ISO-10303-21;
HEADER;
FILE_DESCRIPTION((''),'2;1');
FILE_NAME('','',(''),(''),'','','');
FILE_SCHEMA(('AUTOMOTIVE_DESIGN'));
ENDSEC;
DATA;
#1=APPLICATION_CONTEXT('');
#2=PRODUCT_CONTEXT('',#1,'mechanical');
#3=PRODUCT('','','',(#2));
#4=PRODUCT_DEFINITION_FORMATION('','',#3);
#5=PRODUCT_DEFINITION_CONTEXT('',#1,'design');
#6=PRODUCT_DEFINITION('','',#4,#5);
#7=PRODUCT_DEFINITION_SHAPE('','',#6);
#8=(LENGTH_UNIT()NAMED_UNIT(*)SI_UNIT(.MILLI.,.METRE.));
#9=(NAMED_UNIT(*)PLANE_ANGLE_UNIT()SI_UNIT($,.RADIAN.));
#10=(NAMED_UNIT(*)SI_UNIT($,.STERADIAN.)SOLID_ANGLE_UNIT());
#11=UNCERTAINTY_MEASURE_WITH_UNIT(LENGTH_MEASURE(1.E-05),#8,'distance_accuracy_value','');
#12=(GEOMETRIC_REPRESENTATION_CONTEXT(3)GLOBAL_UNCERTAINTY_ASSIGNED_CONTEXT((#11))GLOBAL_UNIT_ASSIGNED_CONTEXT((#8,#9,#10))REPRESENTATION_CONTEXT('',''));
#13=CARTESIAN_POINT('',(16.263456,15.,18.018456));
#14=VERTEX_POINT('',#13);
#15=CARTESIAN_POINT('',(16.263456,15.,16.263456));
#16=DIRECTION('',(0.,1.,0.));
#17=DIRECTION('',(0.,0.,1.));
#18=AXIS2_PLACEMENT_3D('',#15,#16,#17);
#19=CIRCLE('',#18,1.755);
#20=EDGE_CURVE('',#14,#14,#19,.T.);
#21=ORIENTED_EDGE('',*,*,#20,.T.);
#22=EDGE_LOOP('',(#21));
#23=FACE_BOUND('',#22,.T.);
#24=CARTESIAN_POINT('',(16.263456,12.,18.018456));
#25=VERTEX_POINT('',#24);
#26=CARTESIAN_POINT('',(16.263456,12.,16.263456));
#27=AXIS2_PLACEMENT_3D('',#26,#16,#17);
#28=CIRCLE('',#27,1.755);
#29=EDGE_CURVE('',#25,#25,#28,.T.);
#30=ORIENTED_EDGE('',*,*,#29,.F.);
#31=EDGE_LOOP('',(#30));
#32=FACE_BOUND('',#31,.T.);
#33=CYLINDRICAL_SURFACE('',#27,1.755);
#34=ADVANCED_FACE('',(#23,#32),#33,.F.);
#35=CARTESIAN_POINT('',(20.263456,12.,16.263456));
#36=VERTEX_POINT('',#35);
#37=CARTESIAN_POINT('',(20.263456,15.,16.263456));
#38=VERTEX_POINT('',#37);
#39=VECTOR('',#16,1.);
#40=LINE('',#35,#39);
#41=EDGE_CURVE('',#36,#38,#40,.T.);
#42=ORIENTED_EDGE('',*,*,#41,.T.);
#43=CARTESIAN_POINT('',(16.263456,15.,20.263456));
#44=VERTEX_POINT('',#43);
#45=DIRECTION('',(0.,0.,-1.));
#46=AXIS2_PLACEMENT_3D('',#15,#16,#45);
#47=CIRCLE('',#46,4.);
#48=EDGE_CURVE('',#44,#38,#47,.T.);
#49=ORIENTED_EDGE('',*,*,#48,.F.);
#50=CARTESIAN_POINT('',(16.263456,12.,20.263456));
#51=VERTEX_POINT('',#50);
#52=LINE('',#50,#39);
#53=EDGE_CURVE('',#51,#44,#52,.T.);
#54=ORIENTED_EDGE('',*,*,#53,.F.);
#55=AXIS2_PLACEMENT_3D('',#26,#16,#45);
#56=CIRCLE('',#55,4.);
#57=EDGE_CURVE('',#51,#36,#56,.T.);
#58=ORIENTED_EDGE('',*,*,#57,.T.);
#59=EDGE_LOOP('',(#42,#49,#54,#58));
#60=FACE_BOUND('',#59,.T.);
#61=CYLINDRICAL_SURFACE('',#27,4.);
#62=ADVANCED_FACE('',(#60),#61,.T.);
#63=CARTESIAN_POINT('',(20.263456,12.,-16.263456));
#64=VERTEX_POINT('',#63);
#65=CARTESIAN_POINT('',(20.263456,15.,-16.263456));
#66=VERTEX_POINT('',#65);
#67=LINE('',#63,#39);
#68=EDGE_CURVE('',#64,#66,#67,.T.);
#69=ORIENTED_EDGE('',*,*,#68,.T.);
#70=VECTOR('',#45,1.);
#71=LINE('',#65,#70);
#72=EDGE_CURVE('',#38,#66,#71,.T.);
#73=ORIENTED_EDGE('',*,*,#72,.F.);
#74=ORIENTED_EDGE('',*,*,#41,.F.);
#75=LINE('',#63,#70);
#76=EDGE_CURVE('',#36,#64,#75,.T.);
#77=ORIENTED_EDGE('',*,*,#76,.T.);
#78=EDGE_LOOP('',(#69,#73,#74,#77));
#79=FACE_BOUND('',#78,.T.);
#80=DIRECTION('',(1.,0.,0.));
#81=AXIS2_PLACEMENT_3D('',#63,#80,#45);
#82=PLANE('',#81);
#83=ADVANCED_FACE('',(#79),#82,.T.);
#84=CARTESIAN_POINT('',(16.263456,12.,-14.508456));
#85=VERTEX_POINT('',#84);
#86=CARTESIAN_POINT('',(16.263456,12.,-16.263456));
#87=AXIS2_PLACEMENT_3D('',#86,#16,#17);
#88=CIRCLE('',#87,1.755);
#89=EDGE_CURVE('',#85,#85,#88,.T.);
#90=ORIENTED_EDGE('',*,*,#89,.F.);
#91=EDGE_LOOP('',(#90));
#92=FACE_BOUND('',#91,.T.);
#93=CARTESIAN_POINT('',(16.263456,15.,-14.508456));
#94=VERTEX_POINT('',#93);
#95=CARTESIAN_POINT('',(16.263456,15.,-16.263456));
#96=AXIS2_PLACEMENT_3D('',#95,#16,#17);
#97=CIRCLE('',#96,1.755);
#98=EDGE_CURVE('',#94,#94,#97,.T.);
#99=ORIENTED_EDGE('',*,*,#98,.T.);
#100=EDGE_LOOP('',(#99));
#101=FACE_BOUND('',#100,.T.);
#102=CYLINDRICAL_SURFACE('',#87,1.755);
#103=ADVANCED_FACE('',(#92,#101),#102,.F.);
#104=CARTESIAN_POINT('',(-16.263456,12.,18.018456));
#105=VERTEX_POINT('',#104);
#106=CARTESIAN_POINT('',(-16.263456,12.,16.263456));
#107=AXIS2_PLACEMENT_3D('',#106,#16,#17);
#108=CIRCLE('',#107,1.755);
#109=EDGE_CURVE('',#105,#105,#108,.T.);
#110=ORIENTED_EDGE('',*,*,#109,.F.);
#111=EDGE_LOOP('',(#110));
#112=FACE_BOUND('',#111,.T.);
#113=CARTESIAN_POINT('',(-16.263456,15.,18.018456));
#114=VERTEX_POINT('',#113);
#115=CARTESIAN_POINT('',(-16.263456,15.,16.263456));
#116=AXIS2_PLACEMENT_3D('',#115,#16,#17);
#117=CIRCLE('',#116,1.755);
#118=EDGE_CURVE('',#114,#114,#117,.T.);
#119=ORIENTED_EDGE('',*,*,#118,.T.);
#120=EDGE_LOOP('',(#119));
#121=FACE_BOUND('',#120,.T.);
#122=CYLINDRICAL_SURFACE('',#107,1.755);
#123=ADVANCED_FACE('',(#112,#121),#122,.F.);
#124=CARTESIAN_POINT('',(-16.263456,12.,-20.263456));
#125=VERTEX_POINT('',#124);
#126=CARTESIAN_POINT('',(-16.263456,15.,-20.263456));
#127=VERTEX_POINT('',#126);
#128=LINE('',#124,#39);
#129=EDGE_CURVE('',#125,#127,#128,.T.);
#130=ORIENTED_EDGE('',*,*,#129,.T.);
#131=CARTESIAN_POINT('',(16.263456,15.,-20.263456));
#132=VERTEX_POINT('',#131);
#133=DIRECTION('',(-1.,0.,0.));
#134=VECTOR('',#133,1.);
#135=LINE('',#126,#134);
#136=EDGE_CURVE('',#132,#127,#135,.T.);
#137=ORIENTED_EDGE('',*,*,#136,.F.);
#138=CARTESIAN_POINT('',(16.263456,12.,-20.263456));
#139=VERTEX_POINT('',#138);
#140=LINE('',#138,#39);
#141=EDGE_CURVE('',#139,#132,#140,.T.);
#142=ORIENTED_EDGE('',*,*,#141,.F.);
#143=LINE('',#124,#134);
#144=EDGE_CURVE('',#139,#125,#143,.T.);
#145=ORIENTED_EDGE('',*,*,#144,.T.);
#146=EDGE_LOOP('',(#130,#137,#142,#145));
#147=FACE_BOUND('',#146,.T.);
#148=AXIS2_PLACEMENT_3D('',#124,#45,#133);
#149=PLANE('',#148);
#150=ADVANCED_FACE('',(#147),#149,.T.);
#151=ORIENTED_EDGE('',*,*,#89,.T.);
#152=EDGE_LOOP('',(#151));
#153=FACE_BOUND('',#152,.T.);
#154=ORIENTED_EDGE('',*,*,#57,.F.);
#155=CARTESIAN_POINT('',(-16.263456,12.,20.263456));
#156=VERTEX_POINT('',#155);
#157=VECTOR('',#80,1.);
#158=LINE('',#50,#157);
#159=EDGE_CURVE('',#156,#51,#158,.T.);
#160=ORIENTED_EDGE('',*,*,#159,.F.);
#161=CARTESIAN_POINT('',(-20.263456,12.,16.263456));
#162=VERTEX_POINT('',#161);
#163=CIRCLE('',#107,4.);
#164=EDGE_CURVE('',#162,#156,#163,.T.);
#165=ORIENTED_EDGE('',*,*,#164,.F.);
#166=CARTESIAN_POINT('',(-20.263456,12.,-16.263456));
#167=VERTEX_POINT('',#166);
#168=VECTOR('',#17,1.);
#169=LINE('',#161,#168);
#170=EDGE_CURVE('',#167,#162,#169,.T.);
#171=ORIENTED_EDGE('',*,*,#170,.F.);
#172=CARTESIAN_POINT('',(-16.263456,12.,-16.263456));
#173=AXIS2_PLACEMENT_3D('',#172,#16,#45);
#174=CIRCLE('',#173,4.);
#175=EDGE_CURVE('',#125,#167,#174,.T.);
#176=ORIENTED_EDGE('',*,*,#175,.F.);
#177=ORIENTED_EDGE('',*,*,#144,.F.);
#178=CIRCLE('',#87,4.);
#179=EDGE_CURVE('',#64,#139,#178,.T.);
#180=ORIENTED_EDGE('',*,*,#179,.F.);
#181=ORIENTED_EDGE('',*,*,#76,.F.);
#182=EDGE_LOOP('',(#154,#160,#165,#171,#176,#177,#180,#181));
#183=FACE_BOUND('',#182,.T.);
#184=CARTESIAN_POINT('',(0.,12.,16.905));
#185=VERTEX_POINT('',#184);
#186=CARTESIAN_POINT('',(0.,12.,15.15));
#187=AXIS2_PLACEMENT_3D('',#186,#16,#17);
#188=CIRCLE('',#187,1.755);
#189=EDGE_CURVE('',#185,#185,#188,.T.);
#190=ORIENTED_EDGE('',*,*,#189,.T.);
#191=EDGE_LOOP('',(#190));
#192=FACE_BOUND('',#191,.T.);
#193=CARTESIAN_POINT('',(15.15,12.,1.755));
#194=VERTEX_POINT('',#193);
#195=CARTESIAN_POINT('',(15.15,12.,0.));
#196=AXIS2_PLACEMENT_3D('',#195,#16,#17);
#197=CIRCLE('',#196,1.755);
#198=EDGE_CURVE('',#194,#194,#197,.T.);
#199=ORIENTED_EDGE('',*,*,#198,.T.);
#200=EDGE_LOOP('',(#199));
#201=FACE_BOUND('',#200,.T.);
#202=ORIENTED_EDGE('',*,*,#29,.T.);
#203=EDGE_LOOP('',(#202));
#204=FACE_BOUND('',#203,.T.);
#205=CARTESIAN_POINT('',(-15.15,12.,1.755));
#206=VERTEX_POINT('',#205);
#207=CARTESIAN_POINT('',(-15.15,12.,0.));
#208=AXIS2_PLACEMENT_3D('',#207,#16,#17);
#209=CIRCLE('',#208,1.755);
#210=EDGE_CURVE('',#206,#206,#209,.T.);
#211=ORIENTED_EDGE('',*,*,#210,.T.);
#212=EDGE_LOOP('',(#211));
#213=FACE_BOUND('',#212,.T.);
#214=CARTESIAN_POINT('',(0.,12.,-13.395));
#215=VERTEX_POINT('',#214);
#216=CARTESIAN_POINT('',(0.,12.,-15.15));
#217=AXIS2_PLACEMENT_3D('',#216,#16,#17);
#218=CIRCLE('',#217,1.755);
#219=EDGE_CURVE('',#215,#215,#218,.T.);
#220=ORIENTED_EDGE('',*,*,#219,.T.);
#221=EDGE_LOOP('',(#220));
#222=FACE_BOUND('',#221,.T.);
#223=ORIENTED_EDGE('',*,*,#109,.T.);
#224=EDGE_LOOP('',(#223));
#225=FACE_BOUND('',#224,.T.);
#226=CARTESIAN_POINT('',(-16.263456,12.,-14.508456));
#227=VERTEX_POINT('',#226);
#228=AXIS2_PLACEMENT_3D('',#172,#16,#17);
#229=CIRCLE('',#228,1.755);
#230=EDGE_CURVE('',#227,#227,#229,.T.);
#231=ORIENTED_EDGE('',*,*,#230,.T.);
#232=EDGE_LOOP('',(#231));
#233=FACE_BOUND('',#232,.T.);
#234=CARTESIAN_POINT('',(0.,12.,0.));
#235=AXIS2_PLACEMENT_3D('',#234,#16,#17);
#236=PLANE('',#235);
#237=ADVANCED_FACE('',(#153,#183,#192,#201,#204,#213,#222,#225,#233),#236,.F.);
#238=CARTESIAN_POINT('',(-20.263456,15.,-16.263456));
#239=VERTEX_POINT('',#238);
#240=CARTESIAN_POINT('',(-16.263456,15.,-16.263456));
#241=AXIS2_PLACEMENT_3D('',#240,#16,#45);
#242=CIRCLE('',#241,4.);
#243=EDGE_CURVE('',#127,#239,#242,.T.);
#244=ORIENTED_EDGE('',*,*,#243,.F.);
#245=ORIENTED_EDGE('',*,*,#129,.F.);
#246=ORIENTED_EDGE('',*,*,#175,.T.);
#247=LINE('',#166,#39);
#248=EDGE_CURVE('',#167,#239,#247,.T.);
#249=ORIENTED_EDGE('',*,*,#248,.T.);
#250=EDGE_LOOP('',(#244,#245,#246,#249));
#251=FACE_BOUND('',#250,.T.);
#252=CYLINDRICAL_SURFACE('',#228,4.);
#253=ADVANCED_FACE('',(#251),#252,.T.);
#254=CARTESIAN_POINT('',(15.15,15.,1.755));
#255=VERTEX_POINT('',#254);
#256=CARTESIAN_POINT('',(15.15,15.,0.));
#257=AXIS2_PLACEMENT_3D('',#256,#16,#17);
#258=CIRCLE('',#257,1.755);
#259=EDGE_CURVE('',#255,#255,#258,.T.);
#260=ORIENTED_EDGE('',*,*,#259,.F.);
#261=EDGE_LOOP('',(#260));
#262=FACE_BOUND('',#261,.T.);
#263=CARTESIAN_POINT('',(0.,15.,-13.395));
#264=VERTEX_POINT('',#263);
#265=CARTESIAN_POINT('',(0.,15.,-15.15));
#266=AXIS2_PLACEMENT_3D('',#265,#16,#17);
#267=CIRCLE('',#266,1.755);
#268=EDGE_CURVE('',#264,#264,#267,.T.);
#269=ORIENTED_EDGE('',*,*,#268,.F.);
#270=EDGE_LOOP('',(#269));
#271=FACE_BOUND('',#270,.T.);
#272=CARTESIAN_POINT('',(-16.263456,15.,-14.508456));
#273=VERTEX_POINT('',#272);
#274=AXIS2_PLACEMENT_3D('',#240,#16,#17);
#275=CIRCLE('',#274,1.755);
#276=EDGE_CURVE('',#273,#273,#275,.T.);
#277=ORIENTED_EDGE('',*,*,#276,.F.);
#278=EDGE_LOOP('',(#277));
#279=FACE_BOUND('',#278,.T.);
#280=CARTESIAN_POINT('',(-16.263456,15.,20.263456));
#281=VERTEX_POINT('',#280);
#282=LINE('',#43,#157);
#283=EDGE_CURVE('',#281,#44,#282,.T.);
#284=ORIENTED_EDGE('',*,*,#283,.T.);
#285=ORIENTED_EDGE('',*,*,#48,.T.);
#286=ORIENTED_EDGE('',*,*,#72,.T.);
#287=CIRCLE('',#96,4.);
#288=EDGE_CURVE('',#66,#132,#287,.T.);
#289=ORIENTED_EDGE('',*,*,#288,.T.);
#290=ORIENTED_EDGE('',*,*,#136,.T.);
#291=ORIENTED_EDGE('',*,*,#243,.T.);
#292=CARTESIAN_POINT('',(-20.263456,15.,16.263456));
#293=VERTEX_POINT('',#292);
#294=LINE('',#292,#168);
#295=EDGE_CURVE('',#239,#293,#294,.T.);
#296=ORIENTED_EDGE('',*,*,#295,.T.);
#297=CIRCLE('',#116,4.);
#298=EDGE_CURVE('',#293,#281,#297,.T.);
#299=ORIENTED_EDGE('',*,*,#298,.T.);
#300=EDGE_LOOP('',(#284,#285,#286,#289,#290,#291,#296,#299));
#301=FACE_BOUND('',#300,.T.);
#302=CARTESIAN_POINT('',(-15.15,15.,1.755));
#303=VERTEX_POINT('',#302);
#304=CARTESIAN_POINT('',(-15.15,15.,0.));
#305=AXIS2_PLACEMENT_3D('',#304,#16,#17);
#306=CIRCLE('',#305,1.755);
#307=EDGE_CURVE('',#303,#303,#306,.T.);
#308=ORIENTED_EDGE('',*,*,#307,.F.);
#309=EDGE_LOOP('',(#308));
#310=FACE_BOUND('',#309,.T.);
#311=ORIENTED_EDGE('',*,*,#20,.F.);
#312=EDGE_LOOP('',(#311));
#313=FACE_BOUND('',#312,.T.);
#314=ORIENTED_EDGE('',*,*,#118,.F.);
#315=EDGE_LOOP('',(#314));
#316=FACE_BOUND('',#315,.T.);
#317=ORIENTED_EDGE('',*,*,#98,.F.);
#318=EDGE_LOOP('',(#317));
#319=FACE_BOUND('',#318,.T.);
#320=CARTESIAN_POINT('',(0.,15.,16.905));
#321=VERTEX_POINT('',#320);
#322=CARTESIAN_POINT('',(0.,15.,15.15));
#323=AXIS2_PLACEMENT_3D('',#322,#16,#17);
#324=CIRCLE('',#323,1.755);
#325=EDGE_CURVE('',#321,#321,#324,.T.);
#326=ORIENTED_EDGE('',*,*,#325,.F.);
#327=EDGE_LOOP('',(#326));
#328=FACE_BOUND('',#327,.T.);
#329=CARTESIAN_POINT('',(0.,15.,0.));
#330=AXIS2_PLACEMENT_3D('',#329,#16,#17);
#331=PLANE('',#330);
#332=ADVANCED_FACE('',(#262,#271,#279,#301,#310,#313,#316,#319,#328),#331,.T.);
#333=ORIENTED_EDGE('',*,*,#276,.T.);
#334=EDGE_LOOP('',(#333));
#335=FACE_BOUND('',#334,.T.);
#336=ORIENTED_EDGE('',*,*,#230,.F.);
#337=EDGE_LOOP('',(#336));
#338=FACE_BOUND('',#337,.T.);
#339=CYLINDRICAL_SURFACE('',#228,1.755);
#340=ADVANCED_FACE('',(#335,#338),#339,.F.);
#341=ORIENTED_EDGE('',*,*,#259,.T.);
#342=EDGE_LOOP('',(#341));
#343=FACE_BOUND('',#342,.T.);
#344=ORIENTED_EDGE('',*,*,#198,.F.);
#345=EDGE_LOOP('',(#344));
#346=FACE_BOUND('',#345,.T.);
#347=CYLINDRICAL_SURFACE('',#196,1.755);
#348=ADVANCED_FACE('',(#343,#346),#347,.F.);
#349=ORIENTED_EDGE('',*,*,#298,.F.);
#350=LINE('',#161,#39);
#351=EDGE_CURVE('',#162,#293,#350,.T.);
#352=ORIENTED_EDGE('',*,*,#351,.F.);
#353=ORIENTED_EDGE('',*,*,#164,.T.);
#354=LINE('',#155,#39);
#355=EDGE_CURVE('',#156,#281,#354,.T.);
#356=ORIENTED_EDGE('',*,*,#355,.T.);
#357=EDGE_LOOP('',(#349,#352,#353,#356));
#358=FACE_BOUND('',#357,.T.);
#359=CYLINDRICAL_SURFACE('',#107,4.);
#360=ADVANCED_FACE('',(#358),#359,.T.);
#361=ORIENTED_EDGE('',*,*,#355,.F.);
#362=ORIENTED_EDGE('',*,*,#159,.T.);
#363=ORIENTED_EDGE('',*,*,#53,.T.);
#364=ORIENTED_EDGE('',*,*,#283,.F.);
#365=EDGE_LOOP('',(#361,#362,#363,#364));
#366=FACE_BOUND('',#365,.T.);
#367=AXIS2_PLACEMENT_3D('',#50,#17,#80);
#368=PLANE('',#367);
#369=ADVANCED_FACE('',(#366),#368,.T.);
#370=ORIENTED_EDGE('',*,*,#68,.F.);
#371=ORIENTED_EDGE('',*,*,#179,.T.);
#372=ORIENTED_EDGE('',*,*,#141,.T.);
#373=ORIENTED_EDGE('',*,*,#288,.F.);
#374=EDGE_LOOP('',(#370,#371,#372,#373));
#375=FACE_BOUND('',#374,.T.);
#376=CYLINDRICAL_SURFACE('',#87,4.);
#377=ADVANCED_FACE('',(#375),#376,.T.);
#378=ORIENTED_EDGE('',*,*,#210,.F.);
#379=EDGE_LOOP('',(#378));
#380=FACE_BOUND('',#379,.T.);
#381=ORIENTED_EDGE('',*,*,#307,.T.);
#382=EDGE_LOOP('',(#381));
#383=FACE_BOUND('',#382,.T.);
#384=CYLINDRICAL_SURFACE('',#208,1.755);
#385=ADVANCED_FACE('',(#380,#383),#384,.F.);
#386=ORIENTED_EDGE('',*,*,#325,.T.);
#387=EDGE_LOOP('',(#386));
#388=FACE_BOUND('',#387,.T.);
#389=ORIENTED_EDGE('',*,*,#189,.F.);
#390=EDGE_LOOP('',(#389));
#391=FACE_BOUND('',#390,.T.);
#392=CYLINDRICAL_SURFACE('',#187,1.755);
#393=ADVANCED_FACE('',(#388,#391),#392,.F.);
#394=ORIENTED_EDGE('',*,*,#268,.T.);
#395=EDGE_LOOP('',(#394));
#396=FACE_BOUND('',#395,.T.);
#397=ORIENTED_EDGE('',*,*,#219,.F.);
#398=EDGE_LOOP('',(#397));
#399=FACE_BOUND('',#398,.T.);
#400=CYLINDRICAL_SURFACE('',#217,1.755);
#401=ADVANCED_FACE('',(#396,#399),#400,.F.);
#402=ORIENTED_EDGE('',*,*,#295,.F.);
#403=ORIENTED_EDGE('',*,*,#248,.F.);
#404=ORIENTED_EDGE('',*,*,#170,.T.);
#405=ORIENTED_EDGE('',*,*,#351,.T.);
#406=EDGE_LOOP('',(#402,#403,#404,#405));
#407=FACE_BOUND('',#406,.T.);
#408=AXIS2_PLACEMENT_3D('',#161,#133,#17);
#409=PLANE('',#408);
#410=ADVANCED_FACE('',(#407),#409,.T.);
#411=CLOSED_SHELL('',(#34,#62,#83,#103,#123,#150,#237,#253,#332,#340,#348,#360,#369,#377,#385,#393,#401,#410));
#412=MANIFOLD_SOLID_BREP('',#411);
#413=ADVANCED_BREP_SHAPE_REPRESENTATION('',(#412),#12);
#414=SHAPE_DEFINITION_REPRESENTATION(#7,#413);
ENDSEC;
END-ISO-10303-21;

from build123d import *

# Parameters (mm, degrees)
SKETCH1_R               = 11.9
SKETCH1_R_2             = 9.9
BOSS_EXTRUDE3_DEPTH     = 15
SKETCH4_R               = 9.9
BOSS_EXTRUDE4_DEPTH     = 5.1
BOSS_EXTRUDE8_START     = -3
SKETCH12_R              = 19
SKETCH12_R_2            = 11.9
BOSS_EXTRUDE8_DEPTH     = 3
SKETCH14_R              = 1.755
CUT_EXTRUDE4_DEPTH      = 3
CUT_EXTRUDE5_DEPTH      = 25
CUT_EXTRUDE5_DEPTH_BACK = 20
SKETCH15_W              = 38
SKETCH15_H              = 16.079993569
BOSS_EXTRUDE9_START     = -3
SKETCH16_R              = 9.9
BOSS_EXTRUDE9_DEPTH     = 3
BOSS_EXTRUDE10_START    = -3
SKETCH17_W              = 40
SKETCH17_H              = 40
SKETCH17_R              = 19
BOSS_EXTRUDE10_DEPTH    = 3
SKETCH20_W              = 60
SKETCH20_H              = 60
SKETCH20_W_2            = 40
SKETCH20_H_2            = 40
BOSS_EXTRUDE11_DEPTH    = 3
SKETCH21_R              = 1.755
CUT_EXTRUDE7_DEPTH      = 3
SKETCH23_W              = 60
SKETCH23_H              = 60
CUT_EXTRUDE9_DEPTH      = 3


with BuildPart() as part:
    # Sketch1 → Boss-Extrude3 (new body)
    with BuildSketch(Plane(origin=(0, 0, 0), x_dir=(1, 0, 0), z_dir=(0, 1, 0))):
        with Locations(Location((0, 0, 0), (0, 0, 270))):
            Circle(SKETCH1_R)
        with Locations(Location((0, 0, 0), (0, 0, 270))):
            Circle(SKETCH1_R_2, mode=Mode.SUBTRACT)
    extrude(amount=BOSS_EXTRUDE3_DEPTH)

    # Sketch4 → Boss-Extrude4 (add)
    with BuildSketch(Plane.XZ):
        with Locations(Location((0, 0, 0), (0, 0, 270))):
            Circle(SKETCH4_R)
    extrude(amount=-BOSS_EXTRUDE4_DEPTH)

    # Sketch7 → Cut-Revolve2 (revolve, cut)
    with BuildSketch(Plane(origin=(0, 0, 0), x_dir=(0, 0, -1), z_dir=(1, 0, 0))):
        with BuildLine():
            Line((0, 15), (0, -4.8))
            ThreePointArc((0, -4.8), (9.9, 5.1), (0, 15))
        make_face()
    revolve(axis=Axis((0, 15, 0), (0, -1, 0)), mode=Mode.SUBTRACT)

    # Sketch12 → Boss-Extrude8 (add)
    with BuildSketch(Plane(origin=(0, 15, 0), x_dir=(1, 0, 0), z_dir=(0, 1, 0)).offset(BOSS_EXTRUDE8_START)):
        with Locations(Location((0, 0, 0), (0, 0, 270))):
            Circle(SKETCH12_R)
        with Locations(Location((0, 0, 0), (0, 0, 270))):
            Circle(SKETCH12_R_2, mode=Mode.SUBTRACT)
    extrude(amount=BOSS_EXTRUDE8_DEPTH)

    # Sketch14 → Cut-Extrude4 (cut)
    with BuildSketch(Plane(origin=(0, 15, 0), x_dir=(1, 0, 0), z_dir=(0, 1, 0))):
        with Locations(Location((0, 15.15, 0), (0, 0, 270))):
            Circle(SKETCH14_R)
        with Locations(Location((-15.15, 0, 0), (0, 0, 270))):
            Circle(SKETCH14_R)
        with Locations(Location((0, -15.15, 0), (0, 0, 270))):
            Circle(SKETCH14_R)
        with Locations(Location((15.15, 0, 0), (0, 0, 270))):
            Circle(SKETCH14_R)
    extrude(amount=-CUT_EXTRUDE4_DEPTH, mode=Mode.SUBTRACT)

    # Sketch15 → Cut-Extrude5 (cut, two sides: drawn at the far end of the back side and taken through both)
    with BuildSketch(Plane(origin=(0, 0, 0), x_dir=(0, 0, -1), z_dir=(1, 0, 0)).offset(-CUT_EXTRUDE5_DEPTH_BACK)):
        with Locations((0, 3.960003216)):
            Rectangle(SKETCH15_W, SKETCH15_H)
    extrude(amount=CUT_EXTRUDE5_DEPTH + CUT_EXTRUDE5_DEPTH_BACK, mode=Mode.SUBTRACT)

    # Sketch16 → Boss-Extrude9 (add)
    with BuildSketch(Plane(origin=(0, 15, 0), x_dir=(1, 0, 0), z_dir=(0, 1, 0)).offset(BOSS_EXTRUDE9_START)):
        Circle(SKETCH16_R)
    extrude(amount=BOSS_EXTRUDE9_DEPTH)

    # Sketch17 → Boss-Extrude10 (add)
    with BuildSketch(Plane(origin=(0, 15, 0), x_dir=(1, 0, 0), z_dir=(0, 1, 0)).offset(BOSS_EXTRUDE10_START)):
        Rectangle(SKETCH17_W, SKETCH17_H)
        Circle(SKETCH17_R, mode=Mode.SUBTRACT)
    extrude(amount=BOSS_EXTRUDE10_DEPTH)

    # Sketch20 → Boss-Extrude11 (add)
    with BuildSketch(Plane(origin=(0, 15, 0), x_dir=(1, 0, 0), z_dir=(0, 1, 0))):
        Rectangle(SKETCH20_W, SKETCH20_H)
        Rectangle(SKETCH20_W_2, SKETCH20_H_2, mode=Mode.SUBTRACT)
    extrude(amount=-BOSS_EXTRUDE11_DEPTH)

    # Sketch21 → Cut-Extrude7 (cut)
    with BuildSketch(Plane(origin=(0, 15, 0), x_dir=(1, 0, 0), z_dir=(0, 1, 0))):
        with Locations(Location((-16.263455967, 16.263455967, 0), (0, 0, 270))):
            Circle(SKETCH21_R)
        with Locations(Location((-16.263455967, -16.263455967, 0), (0, 0, 270))):
            Circle(SKETCH21_R)
        with Locations(Location((16.263455967, 16.263455967, 0), (0, 0, 270))):
            Circle(SKETCH21_R)
        with Locations(Location((16.263455967, -16.263455967, 0), (0, 0, 270))):
            Circle(SKETCH21_R)
    extrude(amount=-CUT_EXTRUDE7_DEPTH, mode=Mode.SUBTRACT)

    # Sketch23 → Cut-Extrude9 (cut)
    with BuildSketch(Plane(origin=(0, 15, 0), x_dir=(1, 0, 0), z_dir=(0, 1, 0))):
        Rectangle(SKETCH23_W, SKETCH23_H)
        with BuildLine():
            Line((-20.263455967, -16.263455967), (-20.263455967, 16.263455967))
            ThreePointArc((-20.263455967, 16.263455967), (-19.091883092, 19.091883092), (-16.263455967, 20.263455967))
            Line((-16.263455967, 20.263455967), (16.263455967, 20.263455967))
            ThreePointArc((16.263455967, 20.263455967), (19.091883092, 19.091883092), (20.263455967, 16.263455967))
            Line((20.263455967, 16.263455967), (20.263455967, -16.263455967))
            ThreePointArc((20.263455967, -16.263455967), (19.091883092, -19.091883092), (16.263455967, -20.263455967))
            Line((16.263455967, -20.263455967), (-16.263455967, -20.263455967))
            ThreePointArc((-16.263455967, -20.263455967), (-19.091883092, -19.091883092), (-20.263455967, -16.263455967))
        make_face(mode=Mode.SUBTRACT)
    extrude(amount=-CUT_EXTRUDE9_DEPTH, mode=Mode.SUBTRACT)


solid = part.part
